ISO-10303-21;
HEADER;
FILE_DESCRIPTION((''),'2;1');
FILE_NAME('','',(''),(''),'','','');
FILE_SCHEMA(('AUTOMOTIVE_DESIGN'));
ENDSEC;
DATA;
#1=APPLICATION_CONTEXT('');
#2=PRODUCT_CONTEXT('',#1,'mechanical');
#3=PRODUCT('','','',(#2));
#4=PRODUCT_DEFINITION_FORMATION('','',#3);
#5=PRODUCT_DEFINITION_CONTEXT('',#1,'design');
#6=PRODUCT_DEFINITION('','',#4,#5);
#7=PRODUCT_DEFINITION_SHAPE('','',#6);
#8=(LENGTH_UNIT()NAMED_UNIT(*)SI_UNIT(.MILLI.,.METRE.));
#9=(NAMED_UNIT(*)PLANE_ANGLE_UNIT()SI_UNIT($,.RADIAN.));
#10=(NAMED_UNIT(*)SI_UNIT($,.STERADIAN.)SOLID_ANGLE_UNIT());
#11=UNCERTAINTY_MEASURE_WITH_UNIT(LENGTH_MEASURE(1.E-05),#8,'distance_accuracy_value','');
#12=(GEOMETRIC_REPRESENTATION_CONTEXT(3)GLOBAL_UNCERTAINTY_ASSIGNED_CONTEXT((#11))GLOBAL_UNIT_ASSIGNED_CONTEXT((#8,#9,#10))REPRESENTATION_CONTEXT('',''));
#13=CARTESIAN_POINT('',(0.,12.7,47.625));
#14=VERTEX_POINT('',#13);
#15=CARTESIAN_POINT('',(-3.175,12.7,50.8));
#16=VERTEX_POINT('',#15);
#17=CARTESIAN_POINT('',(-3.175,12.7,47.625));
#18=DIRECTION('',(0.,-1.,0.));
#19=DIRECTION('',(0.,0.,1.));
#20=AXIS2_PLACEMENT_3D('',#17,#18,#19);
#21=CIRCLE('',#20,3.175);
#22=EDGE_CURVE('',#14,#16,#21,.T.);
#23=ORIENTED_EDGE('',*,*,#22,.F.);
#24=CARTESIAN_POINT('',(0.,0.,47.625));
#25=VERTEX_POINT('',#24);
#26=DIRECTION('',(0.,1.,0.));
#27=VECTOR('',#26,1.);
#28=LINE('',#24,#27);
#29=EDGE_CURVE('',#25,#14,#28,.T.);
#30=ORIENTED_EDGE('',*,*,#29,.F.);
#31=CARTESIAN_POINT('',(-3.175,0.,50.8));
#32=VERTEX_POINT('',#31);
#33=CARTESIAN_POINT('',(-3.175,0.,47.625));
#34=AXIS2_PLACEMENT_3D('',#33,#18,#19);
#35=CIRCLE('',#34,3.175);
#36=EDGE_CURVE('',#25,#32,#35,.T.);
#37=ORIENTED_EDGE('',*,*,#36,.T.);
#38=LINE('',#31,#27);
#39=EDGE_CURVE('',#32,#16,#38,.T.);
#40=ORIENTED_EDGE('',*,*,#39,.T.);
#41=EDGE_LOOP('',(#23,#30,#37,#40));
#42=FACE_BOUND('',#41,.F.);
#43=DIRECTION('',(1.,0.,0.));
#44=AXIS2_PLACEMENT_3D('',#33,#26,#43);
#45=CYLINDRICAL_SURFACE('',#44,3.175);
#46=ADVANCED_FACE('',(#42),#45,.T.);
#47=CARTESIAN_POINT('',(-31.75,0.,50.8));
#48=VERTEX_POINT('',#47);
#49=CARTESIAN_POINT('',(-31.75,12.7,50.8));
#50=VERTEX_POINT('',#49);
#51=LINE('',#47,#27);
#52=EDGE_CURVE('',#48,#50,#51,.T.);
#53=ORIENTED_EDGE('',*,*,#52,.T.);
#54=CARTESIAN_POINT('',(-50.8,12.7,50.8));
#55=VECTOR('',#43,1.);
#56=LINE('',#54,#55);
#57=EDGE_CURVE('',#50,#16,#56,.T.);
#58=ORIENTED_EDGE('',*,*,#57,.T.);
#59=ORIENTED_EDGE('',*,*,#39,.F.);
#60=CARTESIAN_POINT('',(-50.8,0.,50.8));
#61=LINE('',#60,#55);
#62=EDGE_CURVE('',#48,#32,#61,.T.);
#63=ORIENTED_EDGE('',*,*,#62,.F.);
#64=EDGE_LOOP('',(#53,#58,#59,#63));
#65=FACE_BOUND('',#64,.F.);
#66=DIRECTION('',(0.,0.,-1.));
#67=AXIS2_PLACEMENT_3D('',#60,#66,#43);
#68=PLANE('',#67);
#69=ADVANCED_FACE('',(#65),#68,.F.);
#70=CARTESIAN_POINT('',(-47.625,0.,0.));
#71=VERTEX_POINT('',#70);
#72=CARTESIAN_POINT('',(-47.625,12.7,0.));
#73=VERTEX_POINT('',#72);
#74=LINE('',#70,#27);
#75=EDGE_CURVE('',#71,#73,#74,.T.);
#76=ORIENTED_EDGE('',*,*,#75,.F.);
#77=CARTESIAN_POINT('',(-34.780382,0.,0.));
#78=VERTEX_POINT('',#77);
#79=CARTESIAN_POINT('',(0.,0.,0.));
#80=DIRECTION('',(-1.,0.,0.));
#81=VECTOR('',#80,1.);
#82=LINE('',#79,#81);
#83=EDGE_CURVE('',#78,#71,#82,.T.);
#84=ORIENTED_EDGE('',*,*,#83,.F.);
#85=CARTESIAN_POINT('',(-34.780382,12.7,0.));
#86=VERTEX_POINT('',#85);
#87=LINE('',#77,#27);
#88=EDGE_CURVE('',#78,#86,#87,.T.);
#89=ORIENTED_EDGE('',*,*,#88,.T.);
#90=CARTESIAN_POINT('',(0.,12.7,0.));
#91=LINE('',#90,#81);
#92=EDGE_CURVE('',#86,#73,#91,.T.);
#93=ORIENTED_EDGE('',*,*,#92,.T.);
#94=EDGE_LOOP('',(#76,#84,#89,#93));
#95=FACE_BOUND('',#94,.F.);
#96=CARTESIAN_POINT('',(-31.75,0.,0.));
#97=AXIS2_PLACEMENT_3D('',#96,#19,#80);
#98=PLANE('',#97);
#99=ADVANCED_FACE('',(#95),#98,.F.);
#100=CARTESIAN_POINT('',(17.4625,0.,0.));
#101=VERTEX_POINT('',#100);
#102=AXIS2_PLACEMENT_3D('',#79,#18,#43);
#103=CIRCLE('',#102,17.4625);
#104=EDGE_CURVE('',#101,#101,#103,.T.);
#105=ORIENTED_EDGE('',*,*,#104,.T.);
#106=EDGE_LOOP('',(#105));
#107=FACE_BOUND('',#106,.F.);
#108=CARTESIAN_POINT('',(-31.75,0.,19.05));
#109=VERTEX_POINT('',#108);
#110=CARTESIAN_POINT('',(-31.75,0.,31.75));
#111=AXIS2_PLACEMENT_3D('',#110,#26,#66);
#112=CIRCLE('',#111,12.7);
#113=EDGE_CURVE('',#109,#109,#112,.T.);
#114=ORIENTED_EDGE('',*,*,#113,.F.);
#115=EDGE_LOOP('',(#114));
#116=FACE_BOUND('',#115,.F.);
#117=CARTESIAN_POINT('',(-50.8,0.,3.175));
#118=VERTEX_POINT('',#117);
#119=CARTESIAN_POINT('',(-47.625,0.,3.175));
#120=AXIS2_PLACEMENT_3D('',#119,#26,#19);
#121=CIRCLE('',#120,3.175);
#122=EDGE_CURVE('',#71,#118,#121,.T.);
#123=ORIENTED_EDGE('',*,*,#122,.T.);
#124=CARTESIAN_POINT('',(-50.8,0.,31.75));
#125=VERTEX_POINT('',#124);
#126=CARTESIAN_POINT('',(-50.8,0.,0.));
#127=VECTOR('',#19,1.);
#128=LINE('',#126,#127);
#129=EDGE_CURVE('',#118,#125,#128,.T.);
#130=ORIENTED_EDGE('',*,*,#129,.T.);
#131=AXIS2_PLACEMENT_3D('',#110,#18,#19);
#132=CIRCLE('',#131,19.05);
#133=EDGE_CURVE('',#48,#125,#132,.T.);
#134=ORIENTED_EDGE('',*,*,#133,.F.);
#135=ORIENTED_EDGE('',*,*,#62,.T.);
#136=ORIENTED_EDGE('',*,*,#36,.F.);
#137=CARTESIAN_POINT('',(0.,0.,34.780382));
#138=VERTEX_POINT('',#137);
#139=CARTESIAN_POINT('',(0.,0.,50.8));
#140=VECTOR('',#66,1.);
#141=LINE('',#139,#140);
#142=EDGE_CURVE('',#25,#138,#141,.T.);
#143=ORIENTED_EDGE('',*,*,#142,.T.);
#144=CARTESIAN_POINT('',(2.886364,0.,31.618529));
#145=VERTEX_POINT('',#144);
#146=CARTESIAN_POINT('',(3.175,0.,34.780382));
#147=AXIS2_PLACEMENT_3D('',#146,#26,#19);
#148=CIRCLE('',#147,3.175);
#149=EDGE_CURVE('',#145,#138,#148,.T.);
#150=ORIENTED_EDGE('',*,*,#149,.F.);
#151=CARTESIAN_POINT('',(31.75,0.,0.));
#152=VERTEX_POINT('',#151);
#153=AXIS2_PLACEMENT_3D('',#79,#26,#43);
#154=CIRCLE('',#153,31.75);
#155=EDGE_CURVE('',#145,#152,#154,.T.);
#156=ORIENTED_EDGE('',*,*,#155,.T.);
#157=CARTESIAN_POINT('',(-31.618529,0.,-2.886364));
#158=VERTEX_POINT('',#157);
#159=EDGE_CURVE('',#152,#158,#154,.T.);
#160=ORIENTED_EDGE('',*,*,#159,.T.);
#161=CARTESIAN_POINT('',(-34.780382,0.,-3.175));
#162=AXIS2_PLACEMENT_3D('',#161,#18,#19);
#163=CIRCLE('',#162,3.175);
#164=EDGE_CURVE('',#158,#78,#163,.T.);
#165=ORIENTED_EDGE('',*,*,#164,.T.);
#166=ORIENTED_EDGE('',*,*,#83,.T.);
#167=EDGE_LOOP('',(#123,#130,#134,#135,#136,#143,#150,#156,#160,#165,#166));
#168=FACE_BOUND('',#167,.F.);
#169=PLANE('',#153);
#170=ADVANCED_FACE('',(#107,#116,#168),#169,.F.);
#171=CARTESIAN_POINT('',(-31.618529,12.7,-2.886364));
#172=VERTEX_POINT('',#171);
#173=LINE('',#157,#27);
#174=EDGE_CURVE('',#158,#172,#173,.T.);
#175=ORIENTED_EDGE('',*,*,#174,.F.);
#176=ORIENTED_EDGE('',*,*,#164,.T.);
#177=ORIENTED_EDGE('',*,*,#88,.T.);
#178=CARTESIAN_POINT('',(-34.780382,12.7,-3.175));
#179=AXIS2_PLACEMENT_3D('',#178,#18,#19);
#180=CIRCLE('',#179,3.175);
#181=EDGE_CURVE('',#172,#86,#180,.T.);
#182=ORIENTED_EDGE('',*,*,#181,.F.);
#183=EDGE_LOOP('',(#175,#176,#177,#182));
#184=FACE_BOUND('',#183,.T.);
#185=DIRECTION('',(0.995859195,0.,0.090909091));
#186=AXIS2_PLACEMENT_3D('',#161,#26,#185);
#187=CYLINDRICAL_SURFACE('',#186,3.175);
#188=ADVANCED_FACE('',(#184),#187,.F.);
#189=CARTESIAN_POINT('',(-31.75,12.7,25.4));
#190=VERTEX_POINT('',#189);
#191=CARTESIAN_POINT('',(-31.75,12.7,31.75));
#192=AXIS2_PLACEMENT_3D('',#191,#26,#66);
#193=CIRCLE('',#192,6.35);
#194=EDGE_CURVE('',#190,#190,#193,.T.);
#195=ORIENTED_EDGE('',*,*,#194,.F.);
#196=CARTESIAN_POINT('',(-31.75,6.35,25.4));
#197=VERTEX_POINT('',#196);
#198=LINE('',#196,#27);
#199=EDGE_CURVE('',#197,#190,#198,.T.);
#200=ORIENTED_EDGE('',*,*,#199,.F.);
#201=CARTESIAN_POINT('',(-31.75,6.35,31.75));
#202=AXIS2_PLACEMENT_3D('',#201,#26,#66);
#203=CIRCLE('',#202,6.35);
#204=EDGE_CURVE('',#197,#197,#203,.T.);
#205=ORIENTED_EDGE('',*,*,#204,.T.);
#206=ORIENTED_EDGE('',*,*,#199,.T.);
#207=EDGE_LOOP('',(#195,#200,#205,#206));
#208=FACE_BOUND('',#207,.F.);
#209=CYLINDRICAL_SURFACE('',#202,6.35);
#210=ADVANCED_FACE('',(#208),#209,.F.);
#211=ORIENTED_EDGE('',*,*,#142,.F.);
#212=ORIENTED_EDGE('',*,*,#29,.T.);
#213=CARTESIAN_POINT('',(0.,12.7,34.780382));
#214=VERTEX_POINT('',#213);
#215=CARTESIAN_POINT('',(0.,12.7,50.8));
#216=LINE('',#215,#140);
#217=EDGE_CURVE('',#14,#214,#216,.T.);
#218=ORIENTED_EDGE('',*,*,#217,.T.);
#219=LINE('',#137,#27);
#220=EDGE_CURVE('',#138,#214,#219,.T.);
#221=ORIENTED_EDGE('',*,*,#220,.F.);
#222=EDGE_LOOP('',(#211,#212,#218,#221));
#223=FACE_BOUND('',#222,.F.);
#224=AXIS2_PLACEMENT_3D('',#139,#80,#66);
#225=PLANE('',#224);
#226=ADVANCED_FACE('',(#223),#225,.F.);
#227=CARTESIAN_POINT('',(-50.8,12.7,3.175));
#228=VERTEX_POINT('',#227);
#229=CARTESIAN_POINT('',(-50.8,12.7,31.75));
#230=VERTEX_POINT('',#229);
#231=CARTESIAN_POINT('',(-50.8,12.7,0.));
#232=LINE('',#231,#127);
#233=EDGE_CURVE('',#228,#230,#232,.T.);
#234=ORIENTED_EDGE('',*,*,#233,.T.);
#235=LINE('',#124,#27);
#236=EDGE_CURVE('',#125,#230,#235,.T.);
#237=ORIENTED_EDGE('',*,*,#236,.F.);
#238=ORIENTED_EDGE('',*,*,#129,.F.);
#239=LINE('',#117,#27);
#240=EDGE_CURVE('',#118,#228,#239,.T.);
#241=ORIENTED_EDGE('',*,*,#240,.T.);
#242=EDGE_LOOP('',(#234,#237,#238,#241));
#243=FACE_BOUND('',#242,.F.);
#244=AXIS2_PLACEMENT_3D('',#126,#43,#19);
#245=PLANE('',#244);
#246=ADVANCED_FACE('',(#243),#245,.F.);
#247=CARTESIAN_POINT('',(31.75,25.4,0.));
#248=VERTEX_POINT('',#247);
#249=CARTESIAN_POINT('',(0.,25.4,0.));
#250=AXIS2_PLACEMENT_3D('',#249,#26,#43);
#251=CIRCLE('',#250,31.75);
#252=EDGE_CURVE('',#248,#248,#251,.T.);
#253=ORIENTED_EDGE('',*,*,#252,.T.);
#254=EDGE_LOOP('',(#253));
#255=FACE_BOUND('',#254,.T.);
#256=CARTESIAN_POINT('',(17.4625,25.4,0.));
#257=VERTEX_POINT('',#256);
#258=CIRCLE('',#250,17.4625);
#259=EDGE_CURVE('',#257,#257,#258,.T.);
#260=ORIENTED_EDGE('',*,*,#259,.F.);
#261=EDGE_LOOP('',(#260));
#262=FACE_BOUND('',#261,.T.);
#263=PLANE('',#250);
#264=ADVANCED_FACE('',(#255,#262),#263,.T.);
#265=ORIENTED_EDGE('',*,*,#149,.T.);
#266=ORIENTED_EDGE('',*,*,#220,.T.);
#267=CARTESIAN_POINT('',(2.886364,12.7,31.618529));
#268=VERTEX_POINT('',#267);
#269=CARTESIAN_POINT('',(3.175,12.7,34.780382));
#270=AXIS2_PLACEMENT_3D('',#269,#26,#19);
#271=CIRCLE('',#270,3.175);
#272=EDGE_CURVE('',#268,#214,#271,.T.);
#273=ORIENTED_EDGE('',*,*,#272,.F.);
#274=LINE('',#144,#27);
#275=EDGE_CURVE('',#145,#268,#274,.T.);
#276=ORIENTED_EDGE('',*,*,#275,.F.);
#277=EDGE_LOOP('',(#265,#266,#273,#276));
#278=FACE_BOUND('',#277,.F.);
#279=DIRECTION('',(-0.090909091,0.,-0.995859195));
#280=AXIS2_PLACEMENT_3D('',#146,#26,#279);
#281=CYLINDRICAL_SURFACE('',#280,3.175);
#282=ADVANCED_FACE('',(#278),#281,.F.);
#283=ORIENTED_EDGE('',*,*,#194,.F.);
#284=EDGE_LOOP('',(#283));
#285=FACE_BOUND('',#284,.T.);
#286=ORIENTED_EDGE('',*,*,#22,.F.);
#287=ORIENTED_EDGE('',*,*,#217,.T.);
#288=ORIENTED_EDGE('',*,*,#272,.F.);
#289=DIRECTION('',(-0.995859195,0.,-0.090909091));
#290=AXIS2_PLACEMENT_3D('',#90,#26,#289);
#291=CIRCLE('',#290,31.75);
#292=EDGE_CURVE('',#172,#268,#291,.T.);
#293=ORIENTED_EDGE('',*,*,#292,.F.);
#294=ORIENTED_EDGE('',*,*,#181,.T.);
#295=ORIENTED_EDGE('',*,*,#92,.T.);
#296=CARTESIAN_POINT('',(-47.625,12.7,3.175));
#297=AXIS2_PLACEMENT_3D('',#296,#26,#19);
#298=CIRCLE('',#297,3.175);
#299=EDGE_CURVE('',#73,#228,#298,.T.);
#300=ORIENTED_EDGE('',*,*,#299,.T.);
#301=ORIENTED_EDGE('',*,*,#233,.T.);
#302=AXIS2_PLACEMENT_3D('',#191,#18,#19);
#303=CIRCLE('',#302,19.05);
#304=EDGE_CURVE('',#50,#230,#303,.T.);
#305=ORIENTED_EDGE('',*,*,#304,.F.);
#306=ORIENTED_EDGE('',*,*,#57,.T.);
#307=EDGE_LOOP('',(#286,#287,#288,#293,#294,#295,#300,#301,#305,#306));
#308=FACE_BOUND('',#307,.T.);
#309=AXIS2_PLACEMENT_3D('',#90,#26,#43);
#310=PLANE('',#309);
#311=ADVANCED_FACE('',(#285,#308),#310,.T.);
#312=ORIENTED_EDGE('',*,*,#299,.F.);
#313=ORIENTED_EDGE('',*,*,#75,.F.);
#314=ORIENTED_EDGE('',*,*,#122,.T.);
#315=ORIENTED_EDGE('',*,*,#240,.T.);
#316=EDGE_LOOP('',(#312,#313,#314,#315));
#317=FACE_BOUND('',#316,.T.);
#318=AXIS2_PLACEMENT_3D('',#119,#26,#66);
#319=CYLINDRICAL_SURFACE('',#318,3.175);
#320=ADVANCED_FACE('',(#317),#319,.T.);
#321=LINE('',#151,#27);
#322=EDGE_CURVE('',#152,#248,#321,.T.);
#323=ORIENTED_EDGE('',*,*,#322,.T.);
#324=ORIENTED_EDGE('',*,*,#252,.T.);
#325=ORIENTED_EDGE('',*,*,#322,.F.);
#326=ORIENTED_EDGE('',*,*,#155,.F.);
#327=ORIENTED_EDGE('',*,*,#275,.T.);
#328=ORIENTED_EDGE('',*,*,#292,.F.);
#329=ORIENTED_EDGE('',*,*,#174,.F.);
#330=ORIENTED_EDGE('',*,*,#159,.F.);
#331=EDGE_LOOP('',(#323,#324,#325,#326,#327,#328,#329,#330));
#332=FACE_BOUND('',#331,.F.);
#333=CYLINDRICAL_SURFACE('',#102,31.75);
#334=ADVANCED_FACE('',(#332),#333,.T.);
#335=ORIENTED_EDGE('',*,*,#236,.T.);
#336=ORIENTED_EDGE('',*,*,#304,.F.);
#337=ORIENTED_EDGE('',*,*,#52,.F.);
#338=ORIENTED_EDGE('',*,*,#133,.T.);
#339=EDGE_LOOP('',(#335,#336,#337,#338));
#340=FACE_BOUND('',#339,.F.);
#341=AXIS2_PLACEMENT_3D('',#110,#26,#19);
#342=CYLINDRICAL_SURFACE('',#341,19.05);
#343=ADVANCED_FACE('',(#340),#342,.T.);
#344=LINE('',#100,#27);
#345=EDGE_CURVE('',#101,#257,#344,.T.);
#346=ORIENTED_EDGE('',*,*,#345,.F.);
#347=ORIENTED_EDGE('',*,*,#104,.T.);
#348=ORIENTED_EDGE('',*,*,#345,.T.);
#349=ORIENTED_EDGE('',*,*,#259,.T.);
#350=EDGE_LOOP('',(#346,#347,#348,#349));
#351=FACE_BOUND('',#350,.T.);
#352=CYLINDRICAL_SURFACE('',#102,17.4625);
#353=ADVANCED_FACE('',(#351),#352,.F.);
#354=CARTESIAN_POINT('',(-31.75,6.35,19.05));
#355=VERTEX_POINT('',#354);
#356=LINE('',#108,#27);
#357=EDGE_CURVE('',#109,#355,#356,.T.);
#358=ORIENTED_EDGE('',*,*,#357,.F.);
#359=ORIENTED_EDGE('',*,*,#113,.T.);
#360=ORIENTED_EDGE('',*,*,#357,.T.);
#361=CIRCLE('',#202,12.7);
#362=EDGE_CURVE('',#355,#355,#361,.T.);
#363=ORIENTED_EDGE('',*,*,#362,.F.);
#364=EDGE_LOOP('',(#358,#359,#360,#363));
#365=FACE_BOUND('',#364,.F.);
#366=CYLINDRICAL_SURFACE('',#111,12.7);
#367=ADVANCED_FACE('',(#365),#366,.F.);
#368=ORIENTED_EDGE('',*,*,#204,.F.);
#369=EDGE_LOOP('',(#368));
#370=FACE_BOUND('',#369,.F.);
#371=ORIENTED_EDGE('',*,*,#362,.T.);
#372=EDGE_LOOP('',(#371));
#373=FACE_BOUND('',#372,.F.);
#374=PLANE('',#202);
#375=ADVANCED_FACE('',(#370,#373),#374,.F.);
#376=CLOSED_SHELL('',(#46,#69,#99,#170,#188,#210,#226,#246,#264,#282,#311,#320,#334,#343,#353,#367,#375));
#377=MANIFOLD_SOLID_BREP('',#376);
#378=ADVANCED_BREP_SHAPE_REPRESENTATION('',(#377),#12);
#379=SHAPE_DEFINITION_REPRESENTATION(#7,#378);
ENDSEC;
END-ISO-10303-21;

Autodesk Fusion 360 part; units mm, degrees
sketch "Sketch1" plane through (0, 0, 0) normal (0, 1, 0) x (1, 0, 0)
  circle A0 centre (0, 0) radius 17.4625
  circle A1 centre (0, 0) radius 31.75
  line L0 (-50.8, -50.8) -> (0, -50.8)
  line L1 (0, -50.8) -> (0, 0)
  line L2 (0, 0) -> (-50.8, 0)
  line L3 (-50.8, 0) -> (-50.8, -50.8)
  circle A2 centre (-31.75, -31.75) radius 1.27
  dimension "d1" = 34.925
  dimension "d2" = 63.5
  dimension "d3" = 50.8
  dimension "d4" = 50.8
  dimension "d5" = 31.75
  dimension "d6" = 31.75
  dimension "d7" = 2.54
extrude "Extrude1" add sketch "Sketch1" along normal blind 25.4 contours A0 A1 L1 L2 | A0 A1 L1 L2
extrude "Extrude2" add sketch "Sketch1" along normal blind 12.7 contours A1 L0 L1 L2 L3
fillet "Fillet1" radius 19.05 1 edges at (-50.8, 6.35, 50.8)
fillet "Fillet1" radius 3.175 4 edges at (0, 6.35, 50.8) (0, 6.35, 31.75) (-50.8, 6.35, 0) (-31.75, 6.35, 0)
hole "Hole1" at (-31.75, 0, 31.75) direction (0, 1, 0) diameter 12.7 depth 25.4 tip angle 118 counterbore diameter 25.4 counterbore depth 6.35
equation "d2 = ( 1.25 * 2 ) * 1 in"
